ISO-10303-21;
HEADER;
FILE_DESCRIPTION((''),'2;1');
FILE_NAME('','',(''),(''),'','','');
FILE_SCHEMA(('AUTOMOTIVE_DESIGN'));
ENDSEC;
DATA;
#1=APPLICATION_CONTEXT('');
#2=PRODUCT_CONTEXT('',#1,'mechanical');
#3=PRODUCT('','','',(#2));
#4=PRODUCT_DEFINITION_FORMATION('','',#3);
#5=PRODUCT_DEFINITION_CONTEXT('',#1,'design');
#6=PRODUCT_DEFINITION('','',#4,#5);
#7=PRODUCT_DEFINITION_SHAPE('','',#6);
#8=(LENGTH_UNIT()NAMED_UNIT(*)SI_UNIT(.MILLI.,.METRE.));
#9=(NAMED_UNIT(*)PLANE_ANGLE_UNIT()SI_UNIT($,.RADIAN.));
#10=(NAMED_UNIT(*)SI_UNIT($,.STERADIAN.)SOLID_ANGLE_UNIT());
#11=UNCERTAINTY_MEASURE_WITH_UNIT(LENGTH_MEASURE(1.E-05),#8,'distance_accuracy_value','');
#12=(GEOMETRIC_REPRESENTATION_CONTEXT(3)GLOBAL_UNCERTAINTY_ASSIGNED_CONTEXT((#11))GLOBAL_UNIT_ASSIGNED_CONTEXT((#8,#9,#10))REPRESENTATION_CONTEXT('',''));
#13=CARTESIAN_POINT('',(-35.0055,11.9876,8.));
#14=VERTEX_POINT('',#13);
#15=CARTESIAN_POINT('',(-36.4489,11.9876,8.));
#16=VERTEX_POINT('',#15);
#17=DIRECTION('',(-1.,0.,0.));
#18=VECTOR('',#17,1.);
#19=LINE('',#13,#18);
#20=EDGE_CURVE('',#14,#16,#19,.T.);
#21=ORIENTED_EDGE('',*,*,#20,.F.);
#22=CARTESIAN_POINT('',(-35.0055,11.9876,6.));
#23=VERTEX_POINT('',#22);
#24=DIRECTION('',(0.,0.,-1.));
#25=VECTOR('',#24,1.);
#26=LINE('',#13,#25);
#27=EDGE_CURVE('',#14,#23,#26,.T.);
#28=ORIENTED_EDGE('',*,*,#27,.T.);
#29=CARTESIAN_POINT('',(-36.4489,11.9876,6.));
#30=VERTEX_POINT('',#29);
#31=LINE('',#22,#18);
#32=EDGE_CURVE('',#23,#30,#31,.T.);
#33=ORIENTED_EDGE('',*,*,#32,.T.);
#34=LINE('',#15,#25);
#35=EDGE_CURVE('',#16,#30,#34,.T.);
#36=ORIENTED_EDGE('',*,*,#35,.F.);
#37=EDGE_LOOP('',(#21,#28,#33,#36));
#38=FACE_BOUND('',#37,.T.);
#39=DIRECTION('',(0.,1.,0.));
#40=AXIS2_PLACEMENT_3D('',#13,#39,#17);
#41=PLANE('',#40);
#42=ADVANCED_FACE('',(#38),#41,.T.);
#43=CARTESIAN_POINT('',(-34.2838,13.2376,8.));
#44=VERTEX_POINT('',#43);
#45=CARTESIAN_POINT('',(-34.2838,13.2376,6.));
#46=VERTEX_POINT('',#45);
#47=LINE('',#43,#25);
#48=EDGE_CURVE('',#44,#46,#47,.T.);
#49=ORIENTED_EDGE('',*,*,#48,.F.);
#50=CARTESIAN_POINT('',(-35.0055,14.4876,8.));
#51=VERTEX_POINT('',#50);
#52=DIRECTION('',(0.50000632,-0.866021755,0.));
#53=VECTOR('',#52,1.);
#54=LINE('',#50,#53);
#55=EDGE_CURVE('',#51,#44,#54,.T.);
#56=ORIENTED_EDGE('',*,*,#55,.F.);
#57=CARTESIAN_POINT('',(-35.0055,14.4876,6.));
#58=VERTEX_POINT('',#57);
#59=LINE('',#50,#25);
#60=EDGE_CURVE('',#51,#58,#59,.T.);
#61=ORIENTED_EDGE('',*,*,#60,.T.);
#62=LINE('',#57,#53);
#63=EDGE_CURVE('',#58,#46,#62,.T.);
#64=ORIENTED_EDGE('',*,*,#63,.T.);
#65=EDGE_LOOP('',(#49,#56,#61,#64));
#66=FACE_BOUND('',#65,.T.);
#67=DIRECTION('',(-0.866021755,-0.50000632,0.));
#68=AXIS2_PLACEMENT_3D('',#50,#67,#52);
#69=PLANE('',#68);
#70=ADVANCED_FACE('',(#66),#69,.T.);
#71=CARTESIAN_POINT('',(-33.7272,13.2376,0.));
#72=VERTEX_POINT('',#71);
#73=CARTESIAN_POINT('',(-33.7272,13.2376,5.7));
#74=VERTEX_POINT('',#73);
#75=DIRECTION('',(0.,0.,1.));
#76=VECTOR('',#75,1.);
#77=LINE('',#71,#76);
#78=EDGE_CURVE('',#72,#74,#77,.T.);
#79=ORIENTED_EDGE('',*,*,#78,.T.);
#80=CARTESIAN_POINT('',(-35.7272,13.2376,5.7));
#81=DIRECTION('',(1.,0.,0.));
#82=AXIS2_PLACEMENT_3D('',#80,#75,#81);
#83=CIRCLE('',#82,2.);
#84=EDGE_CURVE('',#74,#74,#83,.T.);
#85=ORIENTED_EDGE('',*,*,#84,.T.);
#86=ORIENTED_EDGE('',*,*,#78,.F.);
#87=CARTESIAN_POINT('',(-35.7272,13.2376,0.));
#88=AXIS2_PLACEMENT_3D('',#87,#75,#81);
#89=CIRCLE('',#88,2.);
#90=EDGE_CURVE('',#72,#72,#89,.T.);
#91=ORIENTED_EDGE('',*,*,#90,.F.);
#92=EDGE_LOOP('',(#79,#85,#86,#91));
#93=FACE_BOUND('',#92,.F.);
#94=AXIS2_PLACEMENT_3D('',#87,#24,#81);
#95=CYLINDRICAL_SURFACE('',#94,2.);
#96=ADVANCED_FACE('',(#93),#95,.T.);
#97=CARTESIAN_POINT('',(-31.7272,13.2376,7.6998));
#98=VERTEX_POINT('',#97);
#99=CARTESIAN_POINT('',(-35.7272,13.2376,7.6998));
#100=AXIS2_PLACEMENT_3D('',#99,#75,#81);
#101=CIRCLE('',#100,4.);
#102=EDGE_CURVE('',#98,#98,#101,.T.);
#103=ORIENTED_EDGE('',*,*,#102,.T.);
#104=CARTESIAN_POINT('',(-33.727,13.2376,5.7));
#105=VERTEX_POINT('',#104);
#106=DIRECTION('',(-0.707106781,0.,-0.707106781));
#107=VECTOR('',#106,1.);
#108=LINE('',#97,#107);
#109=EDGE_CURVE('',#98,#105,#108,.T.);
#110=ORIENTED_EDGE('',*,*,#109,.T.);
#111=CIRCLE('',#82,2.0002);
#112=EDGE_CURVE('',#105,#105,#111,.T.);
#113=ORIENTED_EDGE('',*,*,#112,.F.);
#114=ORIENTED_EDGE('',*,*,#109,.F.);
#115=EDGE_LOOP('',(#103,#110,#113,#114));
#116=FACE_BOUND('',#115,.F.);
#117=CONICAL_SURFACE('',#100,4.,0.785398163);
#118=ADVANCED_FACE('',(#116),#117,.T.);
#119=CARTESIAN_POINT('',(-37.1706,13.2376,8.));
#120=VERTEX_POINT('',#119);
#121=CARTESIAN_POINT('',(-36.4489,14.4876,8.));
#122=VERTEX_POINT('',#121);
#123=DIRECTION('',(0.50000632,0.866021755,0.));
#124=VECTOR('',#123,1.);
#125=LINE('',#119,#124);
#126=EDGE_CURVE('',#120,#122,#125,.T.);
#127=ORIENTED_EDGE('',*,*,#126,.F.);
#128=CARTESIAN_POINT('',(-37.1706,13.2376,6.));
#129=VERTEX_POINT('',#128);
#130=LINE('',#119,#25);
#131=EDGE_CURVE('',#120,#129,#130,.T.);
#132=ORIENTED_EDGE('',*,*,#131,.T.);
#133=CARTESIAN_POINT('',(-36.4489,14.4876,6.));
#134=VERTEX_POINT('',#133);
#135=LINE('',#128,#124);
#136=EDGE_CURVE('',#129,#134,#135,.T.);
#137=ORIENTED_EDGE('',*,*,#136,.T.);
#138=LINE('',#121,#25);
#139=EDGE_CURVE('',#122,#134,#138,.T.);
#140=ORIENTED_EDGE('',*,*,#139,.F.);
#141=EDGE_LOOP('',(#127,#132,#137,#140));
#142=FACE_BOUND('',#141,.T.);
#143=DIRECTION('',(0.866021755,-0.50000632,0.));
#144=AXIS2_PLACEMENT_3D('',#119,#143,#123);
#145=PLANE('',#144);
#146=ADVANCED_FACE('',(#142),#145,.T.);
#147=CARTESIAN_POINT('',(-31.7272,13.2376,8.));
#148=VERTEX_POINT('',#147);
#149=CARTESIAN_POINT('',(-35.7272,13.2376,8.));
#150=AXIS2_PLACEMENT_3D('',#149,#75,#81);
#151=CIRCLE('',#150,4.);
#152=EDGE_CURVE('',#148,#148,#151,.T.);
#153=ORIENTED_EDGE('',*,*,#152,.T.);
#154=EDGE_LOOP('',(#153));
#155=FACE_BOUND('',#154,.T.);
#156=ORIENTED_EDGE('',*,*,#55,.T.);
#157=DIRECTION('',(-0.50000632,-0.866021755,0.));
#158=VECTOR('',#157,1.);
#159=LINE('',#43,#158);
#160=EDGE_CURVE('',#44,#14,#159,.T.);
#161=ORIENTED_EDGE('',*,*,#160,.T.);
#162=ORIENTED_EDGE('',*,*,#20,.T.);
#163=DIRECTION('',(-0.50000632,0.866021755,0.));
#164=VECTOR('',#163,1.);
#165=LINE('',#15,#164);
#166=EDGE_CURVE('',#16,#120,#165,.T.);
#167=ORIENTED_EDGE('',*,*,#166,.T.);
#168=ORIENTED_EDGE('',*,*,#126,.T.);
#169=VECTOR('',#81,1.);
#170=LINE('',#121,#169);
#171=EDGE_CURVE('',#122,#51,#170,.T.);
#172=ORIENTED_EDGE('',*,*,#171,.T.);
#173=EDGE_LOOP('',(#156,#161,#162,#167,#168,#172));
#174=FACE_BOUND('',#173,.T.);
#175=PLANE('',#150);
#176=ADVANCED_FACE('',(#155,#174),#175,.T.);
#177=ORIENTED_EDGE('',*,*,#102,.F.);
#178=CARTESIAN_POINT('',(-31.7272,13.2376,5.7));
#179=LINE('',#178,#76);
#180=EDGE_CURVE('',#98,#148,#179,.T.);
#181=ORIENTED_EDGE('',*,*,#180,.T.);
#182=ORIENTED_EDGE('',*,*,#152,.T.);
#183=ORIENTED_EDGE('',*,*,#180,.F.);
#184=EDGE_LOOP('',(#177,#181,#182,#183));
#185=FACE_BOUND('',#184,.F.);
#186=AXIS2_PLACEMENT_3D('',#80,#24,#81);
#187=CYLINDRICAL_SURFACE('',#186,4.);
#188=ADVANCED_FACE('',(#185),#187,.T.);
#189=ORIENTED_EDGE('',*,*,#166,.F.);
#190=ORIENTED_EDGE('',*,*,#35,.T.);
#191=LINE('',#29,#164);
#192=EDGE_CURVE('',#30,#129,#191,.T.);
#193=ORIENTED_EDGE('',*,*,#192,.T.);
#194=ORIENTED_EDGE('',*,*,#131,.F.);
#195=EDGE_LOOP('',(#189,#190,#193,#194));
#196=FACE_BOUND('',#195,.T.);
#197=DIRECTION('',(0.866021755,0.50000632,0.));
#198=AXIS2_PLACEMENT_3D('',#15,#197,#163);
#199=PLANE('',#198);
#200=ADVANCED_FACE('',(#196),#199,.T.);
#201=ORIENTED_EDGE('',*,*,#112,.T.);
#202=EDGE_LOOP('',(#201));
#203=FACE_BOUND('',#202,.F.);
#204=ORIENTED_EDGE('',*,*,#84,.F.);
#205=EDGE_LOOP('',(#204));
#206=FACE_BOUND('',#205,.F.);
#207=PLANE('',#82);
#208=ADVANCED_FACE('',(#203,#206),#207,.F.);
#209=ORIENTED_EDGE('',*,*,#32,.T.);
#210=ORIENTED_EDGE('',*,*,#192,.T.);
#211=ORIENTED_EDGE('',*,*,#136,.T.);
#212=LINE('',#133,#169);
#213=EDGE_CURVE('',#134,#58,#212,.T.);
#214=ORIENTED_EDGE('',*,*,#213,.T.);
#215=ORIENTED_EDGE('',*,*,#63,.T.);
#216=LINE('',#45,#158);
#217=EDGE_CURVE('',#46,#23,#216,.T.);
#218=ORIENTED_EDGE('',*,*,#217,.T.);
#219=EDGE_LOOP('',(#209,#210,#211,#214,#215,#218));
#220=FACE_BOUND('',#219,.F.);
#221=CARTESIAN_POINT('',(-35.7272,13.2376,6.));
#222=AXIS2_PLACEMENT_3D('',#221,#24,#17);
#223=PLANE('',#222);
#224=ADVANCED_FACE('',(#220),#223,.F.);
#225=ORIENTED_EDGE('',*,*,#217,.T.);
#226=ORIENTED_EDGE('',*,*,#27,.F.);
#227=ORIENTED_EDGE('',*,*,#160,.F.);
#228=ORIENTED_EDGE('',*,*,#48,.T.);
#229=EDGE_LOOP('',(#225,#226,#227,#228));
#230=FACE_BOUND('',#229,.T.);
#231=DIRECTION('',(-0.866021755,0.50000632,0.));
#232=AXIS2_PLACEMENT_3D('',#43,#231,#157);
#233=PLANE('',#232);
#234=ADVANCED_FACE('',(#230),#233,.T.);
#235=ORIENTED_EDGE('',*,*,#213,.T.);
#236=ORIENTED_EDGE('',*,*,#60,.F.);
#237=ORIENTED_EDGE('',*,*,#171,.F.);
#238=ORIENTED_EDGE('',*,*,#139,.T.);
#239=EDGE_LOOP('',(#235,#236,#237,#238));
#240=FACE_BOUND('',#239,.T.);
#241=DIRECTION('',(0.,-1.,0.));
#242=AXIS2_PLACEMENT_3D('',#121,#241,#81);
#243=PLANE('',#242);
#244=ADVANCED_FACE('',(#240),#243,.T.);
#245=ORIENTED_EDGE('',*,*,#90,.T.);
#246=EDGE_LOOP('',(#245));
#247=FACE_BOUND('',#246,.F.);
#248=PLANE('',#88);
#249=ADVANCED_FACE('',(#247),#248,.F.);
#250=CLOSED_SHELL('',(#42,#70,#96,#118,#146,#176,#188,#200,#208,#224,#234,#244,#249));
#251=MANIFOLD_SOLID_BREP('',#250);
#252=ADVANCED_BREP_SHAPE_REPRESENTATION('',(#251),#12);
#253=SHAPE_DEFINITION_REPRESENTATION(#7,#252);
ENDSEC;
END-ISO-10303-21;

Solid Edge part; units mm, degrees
sketch "Sketch1" plane through (0, 0, 0) normal (0, 0, 1) x (1, 0, 0)
  circle A0 centre (-35.7272, 13.2376) radius 2
  dimension "D1" = 4
extrude "Protrusion1" add sketch "Sketch1" along normal blind 5.7
sketch "Sketch2" plane through (-35.7272, 13.2376, 5.7) normal (0, 0, 1) x (1, 0, 0)
  circle A0 centre (0, 0) radius 4
  dimension "D1" = 8
extrude "kopdia8" add sketch "Sketch2" along normal blind 2.3
chamfer "kegel" distance 2 angle 45 1 edges at (-39.7272, 13.2376, 5.7)
cosmetic_thread "Thread1" size "M4"
sketch "Sketch3" plane through (-35.7272, 13.2376, 8) normal (0, 0, 1) x (1, 0, 0)
  line L0 (-0.7217, 1.25) -> (0.7217, 1.25)
  line L1 (0.7217, 1.25) -> (1.4434, 0)
  line L2 (1.4434, 0) -> (0.7217, -1.25)
  line L3 (0.7217, -1.25) -> (-0.7217, -1.25)
  line L4 (-0.7217, -1.25) -> (-1.4434, 0)
  line L5 (-1.4434, 0) -> (-0.7217, 1.25)
  dimension "D1" = 2.5
extrude "zeskant" cut sketch "Sketch3" against normal blind 2
